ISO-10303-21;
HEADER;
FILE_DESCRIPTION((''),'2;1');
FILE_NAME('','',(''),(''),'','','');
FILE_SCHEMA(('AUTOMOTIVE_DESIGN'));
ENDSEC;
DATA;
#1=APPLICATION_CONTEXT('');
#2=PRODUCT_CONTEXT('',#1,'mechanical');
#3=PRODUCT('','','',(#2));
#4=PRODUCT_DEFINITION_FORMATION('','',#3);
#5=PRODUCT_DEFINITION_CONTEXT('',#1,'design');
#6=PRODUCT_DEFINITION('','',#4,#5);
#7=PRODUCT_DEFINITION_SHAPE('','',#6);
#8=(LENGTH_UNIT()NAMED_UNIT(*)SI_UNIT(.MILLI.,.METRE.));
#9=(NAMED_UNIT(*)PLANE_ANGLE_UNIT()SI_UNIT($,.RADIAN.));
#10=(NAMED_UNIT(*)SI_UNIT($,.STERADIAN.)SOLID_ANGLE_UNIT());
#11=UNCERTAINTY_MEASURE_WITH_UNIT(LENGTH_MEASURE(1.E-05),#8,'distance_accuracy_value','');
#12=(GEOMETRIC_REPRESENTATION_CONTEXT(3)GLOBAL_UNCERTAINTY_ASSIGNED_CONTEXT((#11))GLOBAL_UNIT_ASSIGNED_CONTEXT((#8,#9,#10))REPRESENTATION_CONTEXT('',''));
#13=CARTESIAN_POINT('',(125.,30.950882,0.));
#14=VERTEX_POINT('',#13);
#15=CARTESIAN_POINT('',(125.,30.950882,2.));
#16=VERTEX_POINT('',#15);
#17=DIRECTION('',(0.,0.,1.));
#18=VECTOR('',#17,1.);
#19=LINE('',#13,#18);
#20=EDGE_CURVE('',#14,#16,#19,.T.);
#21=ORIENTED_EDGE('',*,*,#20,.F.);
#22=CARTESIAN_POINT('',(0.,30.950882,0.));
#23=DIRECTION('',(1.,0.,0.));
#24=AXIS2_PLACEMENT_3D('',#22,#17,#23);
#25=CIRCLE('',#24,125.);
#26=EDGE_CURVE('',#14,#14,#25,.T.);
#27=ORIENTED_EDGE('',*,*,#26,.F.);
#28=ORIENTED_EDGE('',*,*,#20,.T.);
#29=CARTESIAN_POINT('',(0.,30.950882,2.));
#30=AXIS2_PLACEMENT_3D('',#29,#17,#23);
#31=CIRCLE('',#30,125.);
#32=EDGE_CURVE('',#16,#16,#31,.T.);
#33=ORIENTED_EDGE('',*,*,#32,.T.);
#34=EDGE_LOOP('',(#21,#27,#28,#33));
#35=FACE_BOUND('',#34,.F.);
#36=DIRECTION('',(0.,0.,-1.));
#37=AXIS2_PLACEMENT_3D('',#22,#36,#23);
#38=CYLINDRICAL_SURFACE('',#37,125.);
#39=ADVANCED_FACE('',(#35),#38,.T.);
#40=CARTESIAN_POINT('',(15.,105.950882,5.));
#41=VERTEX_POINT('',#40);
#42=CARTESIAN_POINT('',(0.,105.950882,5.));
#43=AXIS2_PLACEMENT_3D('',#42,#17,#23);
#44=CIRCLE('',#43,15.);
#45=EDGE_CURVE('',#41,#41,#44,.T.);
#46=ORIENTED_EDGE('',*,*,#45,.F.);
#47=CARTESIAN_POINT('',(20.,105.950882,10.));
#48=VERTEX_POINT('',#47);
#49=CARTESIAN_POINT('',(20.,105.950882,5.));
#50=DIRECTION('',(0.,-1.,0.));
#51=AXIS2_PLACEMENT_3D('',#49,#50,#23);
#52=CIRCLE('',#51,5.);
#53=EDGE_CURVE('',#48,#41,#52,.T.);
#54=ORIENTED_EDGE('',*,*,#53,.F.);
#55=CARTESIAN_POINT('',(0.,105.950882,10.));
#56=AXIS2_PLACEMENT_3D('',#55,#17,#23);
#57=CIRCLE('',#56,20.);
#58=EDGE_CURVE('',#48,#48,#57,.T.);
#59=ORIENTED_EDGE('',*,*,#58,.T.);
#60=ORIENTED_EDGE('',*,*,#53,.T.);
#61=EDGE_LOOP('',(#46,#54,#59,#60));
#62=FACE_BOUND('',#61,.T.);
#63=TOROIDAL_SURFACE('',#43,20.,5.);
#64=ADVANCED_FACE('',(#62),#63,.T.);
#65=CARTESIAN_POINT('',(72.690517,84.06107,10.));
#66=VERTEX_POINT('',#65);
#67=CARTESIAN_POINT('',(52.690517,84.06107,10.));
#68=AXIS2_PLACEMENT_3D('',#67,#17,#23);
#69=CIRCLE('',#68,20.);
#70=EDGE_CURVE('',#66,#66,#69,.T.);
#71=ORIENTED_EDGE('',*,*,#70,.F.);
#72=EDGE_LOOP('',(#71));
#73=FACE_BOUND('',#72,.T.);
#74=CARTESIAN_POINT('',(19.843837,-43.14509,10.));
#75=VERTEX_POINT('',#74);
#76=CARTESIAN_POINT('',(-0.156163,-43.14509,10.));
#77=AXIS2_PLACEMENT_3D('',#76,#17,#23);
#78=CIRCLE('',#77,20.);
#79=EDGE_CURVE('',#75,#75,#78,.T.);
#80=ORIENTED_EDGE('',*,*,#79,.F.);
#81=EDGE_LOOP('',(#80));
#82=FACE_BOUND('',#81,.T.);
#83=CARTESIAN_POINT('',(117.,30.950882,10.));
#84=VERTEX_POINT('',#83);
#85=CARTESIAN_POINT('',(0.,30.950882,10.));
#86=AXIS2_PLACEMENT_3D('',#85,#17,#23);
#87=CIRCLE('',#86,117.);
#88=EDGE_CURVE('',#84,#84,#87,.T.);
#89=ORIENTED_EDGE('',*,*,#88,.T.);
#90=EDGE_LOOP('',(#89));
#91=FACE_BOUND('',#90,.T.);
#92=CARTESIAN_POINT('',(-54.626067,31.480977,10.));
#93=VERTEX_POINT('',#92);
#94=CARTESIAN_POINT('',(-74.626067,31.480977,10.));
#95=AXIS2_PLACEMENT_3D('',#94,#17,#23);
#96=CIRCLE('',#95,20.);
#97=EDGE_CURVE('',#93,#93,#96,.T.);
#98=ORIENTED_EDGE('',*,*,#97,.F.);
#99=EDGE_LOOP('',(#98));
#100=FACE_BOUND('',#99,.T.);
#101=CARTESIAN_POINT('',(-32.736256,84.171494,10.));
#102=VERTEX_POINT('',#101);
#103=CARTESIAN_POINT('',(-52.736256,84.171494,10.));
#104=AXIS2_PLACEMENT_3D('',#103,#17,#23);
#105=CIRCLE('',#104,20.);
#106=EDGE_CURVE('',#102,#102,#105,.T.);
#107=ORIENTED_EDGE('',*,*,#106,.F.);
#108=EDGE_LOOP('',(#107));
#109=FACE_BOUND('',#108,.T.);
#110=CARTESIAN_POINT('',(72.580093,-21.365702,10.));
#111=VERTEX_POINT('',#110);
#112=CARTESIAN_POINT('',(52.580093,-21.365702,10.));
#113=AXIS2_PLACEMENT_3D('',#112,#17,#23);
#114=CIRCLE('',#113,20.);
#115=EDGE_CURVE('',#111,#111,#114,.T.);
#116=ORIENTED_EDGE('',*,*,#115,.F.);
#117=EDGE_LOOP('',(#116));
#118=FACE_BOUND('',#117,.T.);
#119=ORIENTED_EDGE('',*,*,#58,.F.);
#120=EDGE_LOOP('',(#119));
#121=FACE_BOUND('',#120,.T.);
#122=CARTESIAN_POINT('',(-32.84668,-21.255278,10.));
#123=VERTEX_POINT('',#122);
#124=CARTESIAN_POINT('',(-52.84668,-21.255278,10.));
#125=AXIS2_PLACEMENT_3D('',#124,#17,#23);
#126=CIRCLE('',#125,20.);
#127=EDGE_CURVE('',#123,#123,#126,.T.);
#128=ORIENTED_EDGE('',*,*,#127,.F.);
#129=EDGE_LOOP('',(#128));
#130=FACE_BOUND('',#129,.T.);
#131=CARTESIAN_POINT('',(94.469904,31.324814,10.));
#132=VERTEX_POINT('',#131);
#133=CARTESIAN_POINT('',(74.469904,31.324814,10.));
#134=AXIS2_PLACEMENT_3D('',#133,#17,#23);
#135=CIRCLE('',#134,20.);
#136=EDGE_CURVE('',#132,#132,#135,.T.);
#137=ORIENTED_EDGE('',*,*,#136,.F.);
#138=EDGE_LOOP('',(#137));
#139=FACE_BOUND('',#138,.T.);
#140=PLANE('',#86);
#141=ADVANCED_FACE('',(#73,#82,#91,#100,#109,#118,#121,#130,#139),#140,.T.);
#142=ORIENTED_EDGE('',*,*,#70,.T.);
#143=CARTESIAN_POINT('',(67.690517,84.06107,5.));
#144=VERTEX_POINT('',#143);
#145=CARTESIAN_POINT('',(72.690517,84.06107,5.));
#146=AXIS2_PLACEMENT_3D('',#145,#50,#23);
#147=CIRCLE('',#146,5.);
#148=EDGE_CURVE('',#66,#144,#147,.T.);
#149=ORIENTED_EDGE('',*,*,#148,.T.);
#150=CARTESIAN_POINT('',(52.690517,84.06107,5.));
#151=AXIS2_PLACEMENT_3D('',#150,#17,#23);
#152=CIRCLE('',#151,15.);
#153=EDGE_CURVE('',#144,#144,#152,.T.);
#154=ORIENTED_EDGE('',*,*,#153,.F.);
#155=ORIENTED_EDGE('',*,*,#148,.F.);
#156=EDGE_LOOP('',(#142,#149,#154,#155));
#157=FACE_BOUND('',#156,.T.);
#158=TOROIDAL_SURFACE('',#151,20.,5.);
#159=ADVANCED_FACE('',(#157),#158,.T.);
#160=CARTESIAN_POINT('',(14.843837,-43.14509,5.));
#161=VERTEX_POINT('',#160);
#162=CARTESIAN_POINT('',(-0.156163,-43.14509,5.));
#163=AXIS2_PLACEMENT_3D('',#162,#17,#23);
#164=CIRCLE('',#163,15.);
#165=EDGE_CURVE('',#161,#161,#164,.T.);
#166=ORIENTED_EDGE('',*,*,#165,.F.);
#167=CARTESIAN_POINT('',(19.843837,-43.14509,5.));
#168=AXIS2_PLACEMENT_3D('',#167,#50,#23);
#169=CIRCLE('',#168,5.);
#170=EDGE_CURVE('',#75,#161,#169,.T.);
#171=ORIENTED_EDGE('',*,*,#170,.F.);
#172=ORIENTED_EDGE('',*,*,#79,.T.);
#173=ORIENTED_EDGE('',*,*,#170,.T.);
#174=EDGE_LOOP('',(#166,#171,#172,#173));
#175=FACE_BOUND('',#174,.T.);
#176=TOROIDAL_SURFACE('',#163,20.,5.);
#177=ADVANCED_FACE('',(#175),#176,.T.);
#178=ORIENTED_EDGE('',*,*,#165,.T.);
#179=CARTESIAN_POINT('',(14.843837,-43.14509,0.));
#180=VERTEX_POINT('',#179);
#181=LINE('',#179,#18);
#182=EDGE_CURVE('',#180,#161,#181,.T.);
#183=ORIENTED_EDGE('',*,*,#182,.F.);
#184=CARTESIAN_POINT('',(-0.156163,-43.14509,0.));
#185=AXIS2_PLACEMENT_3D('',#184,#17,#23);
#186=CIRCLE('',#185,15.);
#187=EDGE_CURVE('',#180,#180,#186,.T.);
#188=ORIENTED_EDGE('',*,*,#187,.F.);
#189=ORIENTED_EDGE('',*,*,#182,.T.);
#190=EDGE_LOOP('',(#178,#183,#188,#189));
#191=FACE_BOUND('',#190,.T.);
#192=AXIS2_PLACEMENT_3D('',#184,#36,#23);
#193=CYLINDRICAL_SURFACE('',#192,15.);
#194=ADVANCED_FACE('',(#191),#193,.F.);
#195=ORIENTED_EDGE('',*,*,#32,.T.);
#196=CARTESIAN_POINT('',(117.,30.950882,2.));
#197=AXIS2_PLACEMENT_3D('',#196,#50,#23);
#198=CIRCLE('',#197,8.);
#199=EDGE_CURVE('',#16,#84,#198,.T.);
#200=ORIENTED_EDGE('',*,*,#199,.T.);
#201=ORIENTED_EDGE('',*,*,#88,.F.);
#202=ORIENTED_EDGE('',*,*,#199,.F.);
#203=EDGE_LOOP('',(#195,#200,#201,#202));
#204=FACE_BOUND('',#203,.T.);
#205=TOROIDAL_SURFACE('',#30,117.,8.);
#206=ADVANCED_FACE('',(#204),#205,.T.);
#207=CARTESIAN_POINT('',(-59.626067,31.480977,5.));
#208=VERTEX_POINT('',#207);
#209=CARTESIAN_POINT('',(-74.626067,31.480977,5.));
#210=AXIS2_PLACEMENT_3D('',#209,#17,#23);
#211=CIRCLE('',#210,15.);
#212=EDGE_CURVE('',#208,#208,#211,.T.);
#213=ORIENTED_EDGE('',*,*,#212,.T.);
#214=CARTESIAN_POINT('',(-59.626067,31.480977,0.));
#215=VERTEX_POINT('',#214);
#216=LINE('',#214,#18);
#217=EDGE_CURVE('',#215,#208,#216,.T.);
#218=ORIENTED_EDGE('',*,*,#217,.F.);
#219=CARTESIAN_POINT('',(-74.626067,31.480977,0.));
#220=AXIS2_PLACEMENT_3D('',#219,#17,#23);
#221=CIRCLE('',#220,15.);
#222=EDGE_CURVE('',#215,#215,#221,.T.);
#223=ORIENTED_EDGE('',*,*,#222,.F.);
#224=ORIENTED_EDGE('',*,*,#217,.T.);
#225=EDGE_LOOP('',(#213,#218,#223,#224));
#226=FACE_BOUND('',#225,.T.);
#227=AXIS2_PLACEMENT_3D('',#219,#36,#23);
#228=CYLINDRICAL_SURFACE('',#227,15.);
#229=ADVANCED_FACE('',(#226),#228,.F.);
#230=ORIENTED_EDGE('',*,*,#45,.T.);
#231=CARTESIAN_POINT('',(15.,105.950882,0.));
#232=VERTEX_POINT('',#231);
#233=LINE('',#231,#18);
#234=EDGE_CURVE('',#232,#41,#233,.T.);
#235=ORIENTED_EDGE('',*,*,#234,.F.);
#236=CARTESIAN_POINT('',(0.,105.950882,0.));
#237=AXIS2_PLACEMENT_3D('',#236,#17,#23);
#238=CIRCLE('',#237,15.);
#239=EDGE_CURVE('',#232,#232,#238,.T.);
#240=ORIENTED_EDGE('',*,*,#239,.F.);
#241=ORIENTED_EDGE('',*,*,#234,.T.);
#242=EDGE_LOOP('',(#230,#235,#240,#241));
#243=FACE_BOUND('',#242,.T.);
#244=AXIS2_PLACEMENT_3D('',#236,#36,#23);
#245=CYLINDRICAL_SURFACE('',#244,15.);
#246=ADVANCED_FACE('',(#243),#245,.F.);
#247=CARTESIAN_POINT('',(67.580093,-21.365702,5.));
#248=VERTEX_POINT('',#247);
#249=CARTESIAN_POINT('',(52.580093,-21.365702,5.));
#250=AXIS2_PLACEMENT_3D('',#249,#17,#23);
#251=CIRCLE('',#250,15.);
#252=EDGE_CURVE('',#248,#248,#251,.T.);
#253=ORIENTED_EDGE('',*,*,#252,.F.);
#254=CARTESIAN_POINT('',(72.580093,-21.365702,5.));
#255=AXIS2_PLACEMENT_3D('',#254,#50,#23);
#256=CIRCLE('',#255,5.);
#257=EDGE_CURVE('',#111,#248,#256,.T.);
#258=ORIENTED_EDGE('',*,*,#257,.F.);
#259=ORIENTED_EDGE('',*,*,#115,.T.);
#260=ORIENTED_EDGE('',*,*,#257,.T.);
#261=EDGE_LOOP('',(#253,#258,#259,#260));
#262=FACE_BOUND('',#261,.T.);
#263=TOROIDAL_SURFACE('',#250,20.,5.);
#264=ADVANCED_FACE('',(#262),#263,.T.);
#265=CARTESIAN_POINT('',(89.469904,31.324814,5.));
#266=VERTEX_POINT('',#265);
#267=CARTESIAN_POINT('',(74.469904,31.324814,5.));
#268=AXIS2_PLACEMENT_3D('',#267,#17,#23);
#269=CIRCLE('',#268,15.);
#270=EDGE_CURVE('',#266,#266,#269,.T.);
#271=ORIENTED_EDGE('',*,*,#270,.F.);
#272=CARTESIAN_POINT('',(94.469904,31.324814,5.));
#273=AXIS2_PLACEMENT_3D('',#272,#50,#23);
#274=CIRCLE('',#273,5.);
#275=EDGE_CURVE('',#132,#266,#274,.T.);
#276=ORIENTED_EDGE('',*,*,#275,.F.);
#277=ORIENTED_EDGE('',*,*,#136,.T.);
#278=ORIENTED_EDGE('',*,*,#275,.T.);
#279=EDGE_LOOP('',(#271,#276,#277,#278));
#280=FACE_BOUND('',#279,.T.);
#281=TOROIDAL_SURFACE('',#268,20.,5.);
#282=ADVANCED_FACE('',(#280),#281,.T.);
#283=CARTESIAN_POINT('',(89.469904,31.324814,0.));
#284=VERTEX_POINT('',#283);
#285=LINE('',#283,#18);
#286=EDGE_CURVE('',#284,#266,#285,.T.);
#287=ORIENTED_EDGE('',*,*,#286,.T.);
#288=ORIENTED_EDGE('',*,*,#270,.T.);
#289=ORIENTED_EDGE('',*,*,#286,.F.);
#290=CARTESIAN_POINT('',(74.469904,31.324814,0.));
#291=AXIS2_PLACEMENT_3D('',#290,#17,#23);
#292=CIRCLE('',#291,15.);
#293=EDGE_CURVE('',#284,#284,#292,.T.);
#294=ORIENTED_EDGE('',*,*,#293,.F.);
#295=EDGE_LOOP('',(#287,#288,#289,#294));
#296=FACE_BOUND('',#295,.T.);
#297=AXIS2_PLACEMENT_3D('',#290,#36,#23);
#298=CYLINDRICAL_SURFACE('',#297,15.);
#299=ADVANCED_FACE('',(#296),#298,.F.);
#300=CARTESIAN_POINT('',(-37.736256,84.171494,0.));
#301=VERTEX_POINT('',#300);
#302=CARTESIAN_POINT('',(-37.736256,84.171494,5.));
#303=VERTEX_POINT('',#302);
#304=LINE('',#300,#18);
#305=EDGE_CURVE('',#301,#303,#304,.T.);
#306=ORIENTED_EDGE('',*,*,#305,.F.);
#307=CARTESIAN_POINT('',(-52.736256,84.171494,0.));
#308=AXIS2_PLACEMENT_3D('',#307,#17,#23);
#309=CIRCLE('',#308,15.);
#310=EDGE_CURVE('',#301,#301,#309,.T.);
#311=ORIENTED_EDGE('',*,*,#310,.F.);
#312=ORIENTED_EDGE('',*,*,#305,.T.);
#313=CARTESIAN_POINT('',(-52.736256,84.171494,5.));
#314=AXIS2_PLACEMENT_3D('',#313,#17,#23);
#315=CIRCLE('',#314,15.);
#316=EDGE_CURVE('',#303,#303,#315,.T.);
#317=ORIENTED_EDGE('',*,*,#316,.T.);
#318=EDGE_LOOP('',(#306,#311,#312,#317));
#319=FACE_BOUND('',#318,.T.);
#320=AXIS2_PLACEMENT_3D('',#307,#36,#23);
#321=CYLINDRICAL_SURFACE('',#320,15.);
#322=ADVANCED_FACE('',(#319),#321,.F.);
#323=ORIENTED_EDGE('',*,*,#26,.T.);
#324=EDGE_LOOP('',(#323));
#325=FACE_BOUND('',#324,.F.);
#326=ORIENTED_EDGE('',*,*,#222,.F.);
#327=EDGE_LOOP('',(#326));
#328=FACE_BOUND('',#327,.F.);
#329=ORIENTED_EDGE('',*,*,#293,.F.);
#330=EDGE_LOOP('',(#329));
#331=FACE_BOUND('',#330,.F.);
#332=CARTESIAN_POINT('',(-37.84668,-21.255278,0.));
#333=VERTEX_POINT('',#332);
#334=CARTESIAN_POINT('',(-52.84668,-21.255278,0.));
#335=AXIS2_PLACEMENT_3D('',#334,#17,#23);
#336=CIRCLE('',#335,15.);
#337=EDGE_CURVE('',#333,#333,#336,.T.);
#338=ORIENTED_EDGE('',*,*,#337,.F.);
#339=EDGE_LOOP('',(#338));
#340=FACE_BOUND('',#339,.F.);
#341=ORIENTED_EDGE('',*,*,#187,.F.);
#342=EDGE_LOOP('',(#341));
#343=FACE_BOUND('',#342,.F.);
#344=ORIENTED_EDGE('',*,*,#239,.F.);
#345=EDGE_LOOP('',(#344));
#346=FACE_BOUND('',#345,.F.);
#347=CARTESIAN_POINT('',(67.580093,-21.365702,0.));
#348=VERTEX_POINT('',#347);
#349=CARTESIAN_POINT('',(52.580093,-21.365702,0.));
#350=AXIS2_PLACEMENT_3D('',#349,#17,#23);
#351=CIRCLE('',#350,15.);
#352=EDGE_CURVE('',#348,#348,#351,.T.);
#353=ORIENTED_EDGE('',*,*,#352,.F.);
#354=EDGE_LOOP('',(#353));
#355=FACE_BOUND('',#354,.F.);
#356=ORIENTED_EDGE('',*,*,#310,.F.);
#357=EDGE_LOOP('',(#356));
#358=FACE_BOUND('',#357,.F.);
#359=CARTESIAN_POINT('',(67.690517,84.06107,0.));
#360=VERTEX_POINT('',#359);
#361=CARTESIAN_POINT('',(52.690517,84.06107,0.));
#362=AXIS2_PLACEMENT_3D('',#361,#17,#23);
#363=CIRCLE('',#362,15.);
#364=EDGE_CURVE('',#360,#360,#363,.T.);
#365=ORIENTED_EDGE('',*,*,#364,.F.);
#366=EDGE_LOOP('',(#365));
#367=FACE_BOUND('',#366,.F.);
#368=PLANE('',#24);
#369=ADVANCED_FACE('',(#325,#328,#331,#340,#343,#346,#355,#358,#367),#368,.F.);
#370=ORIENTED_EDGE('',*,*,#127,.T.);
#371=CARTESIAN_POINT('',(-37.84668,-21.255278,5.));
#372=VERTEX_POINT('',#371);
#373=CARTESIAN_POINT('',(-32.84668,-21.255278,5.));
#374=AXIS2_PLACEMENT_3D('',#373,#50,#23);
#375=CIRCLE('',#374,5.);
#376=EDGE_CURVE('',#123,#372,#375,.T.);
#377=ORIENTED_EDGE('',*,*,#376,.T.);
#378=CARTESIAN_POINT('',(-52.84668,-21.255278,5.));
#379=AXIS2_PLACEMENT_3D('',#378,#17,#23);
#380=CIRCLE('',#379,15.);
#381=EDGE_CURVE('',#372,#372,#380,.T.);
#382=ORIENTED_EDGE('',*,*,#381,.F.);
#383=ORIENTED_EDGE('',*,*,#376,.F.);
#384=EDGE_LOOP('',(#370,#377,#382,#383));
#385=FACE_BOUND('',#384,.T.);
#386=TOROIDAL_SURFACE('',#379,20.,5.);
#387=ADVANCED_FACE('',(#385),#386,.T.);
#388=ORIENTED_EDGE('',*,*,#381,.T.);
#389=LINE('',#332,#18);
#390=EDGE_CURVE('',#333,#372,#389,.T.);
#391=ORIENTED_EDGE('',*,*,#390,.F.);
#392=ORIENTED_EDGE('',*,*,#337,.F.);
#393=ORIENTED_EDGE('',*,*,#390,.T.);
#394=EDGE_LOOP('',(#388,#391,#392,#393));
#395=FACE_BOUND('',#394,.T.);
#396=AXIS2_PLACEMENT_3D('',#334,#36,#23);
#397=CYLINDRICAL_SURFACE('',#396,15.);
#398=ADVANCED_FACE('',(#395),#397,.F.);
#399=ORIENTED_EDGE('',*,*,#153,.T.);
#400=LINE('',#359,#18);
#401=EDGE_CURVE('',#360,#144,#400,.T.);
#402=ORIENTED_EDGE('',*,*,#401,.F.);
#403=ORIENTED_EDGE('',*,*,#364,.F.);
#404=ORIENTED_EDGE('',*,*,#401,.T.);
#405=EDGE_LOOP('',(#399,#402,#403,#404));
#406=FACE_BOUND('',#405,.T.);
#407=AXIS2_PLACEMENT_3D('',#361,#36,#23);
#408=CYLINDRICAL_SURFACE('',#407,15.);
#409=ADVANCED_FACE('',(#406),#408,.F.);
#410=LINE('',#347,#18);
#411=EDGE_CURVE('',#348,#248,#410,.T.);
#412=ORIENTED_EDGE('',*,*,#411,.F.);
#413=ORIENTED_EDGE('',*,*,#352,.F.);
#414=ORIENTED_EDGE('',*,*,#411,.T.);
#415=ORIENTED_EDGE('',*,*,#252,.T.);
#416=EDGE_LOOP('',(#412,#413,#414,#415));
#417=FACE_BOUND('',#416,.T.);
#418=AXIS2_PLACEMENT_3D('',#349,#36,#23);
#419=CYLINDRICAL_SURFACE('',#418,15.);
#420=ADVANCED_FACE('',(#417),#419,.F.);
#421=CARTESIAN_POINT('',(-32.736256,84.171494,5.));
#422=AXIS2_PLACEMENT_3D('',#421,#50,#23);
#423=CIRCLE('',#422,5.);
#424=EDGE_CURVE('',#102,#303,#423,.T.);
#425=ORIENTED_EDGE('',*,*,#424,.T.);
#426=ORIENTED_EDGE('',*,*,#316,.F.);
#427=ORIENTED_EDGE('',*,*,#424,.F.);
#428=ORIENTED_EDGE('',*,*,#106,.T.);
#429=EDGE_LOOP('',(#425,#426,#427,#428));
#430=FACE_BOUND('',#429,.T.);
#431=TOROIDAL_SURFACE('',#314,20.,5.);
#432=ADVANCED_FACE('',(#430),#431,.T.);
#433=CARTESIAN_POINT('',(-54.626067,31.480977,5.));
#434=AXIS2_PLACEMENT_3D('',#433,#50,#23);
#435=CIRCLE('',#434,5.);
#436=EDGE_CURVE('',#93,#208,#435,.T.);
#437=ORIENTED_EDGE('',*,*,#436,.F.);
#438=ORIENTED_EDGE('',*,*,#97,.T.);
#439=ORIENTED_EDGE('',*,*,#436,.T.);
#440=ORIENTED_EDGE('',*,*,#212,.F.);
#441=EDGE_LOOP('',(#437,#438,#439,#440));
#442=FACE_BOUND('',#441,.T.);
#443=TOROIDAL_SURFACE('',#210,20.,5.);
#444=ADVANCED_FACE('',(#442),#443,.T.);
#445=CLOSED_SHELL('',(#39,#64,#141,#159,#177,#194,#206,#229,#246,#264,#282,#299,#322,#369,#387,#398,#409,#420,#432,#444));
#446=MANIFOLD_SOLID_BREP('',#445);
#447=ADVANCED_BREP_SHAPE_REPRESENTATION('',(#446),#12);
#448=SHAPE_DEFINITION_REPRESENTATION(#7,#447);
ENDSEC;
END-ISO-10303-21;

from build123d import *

# Parameters (mm, degrees)
F1_R     = 125
F1_R_2   = 15
F2_DEPTH = 10
F3_R     = 8
F4_R     = 5


with BuildPart() as f2:
    # F1 (on face) → F2 (new body)
    with BuildSketch(Plane.XY):
        with Locations((0, 30.950882)):
            Circle(F1_R)
        with Locations((-0.156163, -43.14509)):
            Circle(F1_R_2, mode=Mode.SUBTRACT)
        with Locations((-52.84668, -21.255278)):
            Circle(F1_R_2, mode=Mode.SUBTRACT)
        with Locations((52.580093, -21.365702)):
            Circle(F1_R_2, mode=Mode.SUBTRACT)
        with Locations((-74.626067, 31.480977)):
            Circle(F1_R_2, mode=Mode.SUBTRACT)
        with Locations((-52.736256, 84.171494)):
            Circle(F1_R_2, mode=Mode.SUBTRACT)
        with Locations((52.690517, 84.06107)):
            Circle(F1_R_2, mode=Mode.SUBTRACT)
        with Locations((74.469904, 31.324814)):
            Circle(F1_R_2, mode=Mode.SUBTRACT)
        with Locations((0, 105.950882)):
            Circle(F1_R_2, mode=Mode.SUBTRACT)
    extrude(amount=F2_DEPTH)

    # F3
    f3_edges = [f2.edges().sort_by_distance(p)[0] for p in [
        (-125, 30.950882, 10),
    ]]
    fillet(f3_edges, radius=F3_R)

    # F4
    f4_edges = [f2.edges().sort_by_distance(p)[0] for p in [
        (59.469904, 31.324814, 10),
        (37.580093, -21.365702, 10),
        (-15.156163, -43.14509, 10),
        (-67.84668, -21.255278, 10),
        (-89.626067, 31.480977, 10),
        (-67.736256, 84.171494, 10),
        (-15, 105.950882, 10),
        (37.690517, 84.06107, 10),
    ]]
    fillet(f4_edges, radius=F4_R)


solid = f2.part
